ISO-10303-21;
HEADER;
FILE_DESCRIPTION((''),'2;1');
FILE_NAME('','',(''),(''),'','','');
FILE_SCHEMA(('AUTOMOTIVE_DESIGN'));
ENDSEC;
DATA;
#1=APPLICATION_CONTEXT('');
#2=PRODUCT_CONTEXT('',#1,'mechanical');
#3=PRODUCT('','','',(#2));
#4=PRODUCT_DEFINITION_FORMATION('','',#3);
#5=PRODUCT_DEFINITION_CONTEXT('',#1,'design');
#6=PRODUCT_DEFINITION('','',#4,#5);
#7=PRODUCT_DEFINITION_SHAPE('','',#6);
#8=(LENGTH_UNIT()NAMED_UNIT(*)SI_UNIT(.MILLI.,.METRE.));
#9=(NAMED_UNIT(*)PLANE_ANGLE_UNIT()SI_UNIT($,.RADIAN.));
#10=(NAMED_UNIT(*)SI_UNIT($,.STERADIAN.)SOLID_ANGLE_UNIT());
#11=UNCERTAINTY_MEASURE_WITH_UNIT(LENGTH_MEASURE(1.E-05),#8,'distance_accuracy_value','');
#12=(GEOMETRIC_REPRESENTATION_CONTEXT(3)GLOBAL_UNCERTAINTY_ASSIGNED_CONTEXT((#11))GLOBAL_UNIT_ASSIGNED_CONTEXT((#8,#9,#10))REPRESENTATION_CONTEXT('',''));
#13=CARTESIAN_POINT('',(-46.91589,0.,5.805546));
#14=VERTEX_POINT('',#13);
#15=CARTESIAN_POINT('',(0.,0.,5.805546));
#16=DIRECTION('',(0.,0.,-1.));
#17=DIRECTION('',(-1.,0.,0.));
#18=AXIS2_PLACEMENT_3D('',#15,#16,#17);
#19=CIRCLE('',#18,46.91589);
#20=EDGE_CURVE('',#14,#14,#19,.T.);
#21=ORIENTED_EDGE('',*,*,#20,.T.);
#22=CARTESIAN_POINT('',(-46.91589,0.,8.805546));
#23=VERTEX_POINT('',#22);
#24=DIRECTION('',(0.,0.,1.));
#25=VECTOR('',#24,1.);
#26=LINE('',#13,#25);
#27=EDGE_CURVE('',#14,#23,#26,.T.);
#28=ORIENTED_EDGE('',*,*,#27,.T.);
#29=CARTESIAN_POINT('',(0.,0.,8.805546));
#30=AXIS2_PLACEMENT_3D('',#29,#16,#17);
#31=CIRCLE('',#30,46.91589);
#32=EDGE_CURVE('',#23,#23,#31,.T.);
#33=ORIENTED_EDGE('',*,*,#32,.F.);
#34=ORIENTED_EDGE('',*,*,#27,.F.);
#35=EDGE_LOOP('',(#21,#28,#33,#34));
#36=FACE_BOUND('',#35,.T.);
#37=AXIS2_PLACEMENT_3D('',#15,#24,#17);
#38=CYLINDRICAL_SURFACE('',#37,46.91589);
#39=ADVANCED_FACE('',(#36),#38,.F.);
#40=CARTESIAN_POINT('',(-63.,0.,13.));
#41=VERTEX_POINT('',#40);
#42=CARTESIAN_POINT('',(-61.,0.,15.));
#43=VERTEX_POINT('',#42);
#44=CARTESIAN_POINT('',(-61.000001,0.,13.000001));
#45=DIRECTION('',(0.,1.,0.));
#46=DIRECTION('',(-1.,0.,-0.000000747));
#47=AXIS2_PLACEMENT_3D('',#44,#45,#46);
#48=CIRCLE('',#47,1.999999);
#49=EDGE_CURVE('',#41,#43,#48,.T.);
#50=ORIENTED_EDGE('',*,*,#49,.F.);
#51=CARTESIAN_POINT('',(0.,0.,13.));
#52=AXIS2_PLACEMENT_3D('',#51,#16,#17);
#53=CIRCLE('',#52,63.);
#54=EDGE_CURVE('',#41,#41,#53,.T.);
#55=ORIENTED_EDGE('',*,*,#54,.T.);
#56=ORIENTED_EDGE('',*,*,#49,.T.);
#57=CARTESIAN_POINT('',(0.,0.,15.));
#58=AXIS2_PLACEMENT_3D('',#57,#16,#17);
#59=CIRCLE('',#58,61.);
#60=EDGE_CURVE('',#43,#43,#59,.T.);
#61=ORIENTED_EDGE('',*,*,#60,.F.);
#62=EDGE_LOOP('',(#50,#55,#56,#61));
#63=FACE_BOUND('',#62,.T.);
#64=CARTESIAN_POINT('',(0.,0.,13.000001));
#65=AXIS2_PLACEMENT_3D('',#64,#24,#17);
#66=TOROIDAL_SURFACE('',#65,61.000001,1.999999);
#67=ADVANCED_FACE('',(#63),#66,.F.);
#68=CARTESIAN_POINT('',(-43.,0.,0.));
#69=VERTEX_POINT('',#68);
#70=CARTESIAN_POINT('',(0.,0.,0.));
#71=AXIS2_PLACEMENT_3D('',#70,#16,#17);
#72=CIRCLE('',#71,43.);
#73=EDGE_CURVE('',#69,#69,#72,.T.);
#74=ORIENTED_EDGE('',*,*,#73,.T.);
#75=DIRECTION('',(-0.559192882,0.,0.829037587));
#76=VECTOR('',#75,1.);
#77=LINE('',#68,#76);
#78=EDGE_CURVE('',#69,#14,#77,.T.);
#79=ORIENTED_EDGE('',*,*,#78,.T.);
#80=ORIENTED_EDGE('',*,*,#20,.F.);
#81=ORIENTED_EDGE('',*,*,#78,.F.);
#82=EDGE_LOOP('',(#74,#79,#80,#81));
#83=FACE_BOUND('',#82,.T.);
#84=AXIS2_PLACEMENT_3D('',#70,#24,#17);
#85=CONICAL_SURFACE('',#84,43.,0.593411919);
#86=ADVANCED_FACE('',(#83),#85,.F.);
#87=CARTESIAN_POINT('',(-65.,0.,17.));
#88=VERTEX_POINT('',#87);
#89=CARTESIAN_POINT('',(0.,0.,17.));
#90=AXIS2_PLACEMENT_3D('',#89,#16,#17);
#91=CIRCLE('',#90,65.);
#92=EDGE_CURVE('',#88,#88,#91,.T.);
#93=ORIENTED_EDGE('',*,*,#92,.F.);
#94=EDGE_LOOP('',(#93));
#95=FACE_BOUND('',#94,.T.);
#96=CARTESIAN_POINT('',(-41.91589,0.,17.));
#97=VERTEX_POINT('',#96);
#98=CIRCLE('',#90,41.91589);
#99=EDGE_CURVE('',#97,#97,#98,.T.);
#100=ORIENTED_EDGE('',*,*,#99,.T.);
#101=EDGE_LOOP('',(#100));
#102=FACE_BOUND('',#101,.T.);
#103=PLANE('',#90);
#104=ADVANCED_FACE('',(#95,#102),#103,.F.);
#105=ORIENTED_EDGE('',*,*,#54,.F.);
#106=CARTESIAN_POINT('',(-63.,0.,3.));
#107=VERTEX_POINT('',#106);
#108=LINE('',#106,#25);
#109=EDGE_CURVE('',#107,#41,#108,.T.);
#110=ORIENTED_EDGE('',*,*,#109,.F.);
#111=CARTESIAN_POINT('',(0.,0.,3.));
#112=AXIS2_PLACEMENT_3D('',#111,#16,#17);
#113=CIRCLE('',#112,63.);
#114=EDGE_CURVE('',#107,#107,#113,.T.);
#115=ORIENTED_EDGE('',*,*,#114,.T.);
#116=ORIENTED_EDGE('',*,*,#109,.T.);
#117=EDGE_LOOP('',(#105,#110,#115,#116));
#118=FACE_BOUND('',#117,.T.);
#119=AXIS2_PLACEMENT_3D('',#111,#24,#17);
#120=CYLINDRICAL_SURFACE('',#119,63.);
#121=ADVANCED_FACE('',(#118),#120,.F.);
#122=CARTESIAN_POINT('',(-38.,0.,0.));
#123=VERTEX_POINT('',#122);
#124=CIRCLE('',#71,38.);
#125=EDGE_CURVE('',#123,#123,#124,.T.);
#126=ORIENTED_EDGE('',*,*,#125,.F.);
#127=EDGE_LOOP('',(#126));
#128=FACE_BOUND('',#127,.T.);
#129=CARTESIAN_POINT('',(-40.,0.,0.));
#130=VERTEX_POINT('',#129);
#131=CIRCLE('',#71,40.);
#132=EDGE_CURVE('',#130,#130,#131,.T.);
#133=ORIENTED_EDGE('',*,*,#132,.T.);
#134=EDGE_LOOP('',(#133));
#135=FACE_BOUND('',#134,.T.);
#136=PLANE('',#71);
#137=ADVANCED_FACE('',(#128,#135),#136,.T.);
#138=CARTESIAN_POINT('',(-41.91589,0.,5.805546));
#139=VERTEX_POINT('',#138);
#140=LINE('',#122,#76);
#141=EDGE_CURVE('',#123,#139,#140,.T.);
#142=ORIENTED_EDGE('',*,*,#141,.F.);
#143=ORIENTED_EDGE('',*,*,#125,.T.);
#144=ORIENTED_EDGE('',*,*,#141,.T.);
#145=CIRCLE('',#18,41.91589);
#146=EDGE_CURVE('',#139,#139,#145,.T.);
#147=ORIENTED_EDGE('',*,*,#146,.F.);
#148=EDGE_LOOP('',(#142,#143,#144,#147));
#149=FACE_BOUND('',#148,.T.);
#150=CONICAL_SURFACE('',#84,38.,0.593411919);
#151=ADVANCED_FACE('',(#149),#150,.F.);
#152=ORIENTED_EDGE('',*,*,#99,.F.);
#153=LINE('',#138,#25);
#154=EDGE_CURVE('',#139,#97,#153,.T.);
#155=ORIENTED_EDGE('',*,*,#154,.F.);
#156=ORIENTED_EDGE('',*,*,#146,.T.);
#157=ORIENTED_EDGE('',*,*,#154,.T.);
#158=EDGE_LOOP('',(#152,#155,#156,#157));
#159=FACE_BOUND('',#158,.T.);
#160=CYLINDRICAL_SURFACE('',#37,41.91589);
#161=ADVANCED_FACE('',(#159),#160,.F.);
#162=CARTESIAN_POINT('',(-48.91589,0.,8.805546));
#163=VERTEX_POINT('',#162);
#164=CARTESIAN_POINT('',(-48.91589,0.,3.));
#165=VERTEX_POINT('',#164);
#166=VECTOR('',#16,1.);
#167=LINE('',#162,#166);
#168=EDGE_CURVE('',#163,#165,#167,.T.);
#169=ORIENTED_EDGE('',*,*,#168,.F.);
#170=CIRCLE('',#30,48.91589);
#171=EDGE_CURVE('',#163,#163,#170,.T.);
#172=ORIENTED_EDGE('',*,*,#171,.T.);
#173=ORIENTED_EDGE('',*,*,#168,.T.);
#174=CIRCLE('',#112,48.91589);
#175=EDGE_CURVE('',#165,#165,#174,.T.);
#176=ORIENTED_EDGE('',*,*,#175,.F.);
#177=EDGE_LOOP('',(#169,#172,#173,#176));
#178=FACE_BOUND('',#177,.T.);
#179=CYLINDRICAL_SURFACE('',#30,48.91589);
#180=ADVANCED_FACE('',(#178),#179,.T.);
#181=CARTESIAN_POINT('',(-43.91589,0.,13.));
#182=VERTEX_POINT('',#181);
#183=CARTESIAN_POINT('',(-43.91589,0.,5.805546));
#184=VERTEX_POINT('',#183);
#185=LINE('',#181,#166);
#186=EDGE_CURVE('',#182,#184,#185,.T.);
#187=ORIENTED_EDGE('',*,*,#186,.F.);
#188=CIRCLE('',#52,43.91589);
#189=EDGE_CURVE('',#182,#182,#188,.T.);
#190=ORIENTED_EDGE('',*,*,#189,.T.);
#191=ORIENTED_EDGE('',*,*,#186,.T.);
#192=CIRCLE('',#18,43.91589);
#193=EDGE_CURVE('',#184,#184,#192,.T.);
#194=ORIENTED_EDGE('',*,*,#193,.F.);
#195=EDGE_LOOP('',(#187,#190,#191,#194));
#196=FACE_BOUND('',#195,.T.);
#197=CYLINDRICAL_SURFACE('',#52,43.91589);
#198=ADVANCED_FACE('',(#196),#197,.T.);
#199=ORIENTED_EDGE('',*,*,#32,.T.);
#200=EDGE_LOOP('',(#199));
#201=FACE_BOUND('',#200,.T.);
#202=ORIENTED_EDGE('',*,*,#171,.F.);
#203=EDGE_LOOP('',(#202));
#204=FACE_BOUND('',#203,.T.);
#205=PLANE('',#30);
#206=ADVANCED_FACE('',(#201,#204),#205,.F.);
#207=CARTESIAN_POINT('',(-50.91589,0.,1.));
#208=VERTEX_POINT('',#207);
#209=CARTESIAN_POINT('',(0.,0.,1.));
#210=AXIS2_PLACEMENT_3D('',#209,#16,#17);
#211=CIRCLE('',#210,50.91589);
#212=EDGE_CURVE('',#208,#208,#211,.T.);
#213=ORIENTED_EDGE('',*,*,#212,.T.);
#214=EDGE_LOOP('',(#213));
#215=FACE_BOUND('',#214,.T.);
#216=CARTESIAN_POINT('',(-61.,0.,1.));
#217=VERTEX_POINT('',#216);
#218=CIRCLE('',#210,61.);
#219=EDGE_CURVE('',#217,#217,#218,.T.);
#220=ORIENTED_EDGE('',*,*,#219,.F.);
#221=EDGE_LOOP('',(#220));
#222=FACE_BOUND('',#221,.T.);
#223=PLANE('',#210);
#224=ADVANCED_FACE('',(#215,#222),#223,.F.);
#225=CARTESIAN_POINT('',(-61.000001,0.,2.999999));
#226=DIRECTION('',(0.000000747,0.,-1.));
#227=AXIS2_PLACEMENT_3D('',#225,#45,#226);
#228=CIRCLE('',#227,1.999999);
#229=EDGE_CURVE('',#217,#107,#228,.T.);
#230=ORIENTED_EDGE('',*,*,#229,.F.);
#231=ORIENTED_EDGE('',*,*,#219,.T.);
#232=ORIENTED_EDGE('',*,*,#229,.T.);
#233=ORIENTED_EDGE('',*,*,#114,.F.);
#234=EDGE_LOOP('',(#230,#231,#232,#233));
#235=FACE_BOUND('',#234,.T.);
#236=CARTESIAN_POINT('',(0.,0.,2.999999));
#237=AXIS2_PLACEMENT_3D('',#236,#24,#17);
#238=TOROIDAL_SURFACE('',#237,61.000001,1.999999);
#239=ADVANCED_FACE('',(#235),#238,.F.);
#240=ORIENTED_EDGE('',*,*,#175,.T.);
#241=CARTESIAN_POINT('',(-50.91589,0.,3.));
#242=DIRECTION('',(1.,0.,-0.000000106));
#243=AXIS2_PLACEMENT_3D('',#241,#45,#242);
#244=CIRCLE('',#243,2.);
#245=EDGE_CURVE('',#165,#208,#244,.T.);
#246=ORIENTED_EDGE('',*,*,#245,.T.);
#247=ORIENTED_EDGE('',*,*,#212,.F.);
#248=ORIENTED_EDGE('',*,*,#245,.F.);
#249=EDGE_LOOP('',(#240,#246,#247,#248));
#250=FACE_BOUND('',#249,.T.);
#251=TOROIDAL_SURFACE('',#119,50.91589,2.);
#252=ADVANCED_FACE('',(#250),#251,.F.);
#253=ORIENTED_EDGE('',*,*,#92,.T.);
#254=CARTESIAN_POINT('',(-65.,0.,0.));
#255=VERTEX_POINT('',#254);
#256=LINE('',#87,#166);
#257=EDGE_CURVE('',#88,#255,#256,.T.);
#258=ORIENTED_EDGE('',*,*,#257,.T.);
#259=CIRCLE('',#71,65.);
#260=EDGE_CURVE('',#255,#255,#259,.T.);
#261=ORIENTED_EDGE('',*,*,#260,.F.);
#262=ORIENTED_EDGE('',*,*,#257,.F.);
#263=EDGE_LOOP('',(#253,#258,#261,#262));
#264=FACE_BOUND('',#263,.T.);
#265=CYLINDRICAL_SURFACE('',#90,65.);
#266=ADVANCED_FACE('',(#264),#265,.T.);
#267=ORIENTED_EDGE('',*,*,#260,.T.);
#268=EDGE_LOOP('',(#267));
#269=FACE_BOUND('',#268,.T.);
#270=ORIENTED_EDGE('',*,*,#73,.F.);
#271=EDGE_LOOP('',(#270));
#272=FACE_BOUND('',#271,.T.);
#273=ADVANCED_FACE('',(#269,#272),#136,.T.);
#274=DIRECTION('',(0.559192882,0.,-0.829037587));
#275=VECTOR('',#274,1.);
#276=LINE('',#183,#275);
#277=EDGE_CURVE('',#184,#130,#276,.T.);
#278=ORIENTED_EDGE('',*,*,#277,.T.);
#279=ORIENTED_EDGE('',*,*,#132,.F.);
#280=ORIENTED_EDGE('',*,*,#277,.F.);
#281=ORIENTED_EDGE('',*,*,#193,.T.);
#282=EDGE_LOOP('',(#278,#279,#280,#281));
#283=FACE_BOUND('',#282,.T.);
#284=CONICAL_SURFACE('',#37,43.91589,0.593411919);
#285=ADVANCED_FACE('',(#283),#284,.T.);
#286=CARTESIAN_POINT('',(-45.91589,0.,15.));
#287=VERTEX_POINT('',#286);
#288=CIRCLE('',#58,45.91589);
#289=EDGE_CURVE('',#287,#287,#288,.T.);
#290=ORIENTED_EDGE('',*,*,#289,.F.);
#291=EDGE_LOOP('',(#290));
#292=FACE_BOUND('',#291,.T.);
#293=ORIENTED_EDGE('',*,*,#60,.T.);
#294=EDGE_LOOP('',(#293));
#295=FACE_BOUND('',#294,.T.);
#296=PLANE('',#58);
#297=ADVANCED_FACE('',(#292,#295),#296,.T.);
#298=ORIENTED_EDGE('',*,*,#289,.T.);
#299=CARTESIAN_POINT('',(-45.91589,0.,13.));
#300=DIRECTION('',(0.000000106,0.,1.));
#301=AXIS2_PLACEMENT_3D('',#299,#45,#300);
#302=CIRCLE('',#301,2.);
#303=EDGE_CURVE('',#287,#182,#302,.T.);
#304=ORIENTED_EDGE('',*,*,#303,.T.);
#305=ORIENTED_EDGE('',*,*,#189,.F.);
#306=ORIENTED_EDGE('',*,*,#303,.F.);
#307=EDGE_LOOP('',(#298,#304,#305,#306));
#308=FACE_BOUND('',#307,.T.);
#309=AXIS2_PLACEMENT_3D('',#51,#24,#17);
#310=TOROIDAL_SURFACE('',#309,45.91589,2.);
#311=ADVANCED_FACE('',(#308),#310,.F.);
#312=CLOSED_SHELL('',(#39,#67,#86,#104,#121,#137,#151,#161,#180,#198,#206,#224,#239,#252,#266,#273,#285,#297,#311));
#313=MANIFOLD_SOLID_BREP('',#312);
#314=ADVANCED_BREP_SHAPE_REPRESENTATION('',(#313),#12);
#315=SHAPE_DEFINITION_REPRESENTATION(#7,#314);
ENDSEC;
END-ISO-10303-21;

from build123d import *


with BuildPart() as f2:
    # F1 (on Front) → F2 (revolve)
    with BuildSketch(Plane.XZ):
        with BuildLine():
            Line((-40, 0), (-38, 0))
            Line((-38, 0), (-41.91589, 5.805546))
            Line((-41.91589, 5.805546), (-41.91589, 17))
            Line((-41.91589, 17), (-65, 17))
            Line((-65, 17), (-65, 0))
            Line((-65, 0), (-43, 0))
            Line((-43, 0), (-46.91589, 5.805546))
            Line((-46.91589, 5.805546), (-46.91589, 8.805546))
            Line((-46.91589, 8.805546), (-48.91589, 8.805546))
            Line((-48.91589, 8.805546), (-48.91589, 3))
            ThreePointArc((-48.91589, 3), (-49.501677, 1.585786), (-50.91589, 1))
            Line((-50.91589, 1), (-61, 1))
            ThreePointArc((-61, 1), (-62.414214, 1.585786), (-63, 3))
            Line((-63, 3), (-63, 13))
            ThreePointArc((-63, 13), (-62.414214, 14.414214), (-61, 15))
            Line((-61, 15), (-45.91589, 15))
            ThreePointArc((-45.91589, 15), (-44.501677, 14.414214), (-43.91589, 13))
            Line((-43.91589, 13), (-43.91589, 5.805546))
            Line((-43.91589, 5.805546), (-40, 0))
        make_face()
    revolve(axis=Axis((0, 0, 3.617086), (0, 0, -1)))


solid = f2.part
